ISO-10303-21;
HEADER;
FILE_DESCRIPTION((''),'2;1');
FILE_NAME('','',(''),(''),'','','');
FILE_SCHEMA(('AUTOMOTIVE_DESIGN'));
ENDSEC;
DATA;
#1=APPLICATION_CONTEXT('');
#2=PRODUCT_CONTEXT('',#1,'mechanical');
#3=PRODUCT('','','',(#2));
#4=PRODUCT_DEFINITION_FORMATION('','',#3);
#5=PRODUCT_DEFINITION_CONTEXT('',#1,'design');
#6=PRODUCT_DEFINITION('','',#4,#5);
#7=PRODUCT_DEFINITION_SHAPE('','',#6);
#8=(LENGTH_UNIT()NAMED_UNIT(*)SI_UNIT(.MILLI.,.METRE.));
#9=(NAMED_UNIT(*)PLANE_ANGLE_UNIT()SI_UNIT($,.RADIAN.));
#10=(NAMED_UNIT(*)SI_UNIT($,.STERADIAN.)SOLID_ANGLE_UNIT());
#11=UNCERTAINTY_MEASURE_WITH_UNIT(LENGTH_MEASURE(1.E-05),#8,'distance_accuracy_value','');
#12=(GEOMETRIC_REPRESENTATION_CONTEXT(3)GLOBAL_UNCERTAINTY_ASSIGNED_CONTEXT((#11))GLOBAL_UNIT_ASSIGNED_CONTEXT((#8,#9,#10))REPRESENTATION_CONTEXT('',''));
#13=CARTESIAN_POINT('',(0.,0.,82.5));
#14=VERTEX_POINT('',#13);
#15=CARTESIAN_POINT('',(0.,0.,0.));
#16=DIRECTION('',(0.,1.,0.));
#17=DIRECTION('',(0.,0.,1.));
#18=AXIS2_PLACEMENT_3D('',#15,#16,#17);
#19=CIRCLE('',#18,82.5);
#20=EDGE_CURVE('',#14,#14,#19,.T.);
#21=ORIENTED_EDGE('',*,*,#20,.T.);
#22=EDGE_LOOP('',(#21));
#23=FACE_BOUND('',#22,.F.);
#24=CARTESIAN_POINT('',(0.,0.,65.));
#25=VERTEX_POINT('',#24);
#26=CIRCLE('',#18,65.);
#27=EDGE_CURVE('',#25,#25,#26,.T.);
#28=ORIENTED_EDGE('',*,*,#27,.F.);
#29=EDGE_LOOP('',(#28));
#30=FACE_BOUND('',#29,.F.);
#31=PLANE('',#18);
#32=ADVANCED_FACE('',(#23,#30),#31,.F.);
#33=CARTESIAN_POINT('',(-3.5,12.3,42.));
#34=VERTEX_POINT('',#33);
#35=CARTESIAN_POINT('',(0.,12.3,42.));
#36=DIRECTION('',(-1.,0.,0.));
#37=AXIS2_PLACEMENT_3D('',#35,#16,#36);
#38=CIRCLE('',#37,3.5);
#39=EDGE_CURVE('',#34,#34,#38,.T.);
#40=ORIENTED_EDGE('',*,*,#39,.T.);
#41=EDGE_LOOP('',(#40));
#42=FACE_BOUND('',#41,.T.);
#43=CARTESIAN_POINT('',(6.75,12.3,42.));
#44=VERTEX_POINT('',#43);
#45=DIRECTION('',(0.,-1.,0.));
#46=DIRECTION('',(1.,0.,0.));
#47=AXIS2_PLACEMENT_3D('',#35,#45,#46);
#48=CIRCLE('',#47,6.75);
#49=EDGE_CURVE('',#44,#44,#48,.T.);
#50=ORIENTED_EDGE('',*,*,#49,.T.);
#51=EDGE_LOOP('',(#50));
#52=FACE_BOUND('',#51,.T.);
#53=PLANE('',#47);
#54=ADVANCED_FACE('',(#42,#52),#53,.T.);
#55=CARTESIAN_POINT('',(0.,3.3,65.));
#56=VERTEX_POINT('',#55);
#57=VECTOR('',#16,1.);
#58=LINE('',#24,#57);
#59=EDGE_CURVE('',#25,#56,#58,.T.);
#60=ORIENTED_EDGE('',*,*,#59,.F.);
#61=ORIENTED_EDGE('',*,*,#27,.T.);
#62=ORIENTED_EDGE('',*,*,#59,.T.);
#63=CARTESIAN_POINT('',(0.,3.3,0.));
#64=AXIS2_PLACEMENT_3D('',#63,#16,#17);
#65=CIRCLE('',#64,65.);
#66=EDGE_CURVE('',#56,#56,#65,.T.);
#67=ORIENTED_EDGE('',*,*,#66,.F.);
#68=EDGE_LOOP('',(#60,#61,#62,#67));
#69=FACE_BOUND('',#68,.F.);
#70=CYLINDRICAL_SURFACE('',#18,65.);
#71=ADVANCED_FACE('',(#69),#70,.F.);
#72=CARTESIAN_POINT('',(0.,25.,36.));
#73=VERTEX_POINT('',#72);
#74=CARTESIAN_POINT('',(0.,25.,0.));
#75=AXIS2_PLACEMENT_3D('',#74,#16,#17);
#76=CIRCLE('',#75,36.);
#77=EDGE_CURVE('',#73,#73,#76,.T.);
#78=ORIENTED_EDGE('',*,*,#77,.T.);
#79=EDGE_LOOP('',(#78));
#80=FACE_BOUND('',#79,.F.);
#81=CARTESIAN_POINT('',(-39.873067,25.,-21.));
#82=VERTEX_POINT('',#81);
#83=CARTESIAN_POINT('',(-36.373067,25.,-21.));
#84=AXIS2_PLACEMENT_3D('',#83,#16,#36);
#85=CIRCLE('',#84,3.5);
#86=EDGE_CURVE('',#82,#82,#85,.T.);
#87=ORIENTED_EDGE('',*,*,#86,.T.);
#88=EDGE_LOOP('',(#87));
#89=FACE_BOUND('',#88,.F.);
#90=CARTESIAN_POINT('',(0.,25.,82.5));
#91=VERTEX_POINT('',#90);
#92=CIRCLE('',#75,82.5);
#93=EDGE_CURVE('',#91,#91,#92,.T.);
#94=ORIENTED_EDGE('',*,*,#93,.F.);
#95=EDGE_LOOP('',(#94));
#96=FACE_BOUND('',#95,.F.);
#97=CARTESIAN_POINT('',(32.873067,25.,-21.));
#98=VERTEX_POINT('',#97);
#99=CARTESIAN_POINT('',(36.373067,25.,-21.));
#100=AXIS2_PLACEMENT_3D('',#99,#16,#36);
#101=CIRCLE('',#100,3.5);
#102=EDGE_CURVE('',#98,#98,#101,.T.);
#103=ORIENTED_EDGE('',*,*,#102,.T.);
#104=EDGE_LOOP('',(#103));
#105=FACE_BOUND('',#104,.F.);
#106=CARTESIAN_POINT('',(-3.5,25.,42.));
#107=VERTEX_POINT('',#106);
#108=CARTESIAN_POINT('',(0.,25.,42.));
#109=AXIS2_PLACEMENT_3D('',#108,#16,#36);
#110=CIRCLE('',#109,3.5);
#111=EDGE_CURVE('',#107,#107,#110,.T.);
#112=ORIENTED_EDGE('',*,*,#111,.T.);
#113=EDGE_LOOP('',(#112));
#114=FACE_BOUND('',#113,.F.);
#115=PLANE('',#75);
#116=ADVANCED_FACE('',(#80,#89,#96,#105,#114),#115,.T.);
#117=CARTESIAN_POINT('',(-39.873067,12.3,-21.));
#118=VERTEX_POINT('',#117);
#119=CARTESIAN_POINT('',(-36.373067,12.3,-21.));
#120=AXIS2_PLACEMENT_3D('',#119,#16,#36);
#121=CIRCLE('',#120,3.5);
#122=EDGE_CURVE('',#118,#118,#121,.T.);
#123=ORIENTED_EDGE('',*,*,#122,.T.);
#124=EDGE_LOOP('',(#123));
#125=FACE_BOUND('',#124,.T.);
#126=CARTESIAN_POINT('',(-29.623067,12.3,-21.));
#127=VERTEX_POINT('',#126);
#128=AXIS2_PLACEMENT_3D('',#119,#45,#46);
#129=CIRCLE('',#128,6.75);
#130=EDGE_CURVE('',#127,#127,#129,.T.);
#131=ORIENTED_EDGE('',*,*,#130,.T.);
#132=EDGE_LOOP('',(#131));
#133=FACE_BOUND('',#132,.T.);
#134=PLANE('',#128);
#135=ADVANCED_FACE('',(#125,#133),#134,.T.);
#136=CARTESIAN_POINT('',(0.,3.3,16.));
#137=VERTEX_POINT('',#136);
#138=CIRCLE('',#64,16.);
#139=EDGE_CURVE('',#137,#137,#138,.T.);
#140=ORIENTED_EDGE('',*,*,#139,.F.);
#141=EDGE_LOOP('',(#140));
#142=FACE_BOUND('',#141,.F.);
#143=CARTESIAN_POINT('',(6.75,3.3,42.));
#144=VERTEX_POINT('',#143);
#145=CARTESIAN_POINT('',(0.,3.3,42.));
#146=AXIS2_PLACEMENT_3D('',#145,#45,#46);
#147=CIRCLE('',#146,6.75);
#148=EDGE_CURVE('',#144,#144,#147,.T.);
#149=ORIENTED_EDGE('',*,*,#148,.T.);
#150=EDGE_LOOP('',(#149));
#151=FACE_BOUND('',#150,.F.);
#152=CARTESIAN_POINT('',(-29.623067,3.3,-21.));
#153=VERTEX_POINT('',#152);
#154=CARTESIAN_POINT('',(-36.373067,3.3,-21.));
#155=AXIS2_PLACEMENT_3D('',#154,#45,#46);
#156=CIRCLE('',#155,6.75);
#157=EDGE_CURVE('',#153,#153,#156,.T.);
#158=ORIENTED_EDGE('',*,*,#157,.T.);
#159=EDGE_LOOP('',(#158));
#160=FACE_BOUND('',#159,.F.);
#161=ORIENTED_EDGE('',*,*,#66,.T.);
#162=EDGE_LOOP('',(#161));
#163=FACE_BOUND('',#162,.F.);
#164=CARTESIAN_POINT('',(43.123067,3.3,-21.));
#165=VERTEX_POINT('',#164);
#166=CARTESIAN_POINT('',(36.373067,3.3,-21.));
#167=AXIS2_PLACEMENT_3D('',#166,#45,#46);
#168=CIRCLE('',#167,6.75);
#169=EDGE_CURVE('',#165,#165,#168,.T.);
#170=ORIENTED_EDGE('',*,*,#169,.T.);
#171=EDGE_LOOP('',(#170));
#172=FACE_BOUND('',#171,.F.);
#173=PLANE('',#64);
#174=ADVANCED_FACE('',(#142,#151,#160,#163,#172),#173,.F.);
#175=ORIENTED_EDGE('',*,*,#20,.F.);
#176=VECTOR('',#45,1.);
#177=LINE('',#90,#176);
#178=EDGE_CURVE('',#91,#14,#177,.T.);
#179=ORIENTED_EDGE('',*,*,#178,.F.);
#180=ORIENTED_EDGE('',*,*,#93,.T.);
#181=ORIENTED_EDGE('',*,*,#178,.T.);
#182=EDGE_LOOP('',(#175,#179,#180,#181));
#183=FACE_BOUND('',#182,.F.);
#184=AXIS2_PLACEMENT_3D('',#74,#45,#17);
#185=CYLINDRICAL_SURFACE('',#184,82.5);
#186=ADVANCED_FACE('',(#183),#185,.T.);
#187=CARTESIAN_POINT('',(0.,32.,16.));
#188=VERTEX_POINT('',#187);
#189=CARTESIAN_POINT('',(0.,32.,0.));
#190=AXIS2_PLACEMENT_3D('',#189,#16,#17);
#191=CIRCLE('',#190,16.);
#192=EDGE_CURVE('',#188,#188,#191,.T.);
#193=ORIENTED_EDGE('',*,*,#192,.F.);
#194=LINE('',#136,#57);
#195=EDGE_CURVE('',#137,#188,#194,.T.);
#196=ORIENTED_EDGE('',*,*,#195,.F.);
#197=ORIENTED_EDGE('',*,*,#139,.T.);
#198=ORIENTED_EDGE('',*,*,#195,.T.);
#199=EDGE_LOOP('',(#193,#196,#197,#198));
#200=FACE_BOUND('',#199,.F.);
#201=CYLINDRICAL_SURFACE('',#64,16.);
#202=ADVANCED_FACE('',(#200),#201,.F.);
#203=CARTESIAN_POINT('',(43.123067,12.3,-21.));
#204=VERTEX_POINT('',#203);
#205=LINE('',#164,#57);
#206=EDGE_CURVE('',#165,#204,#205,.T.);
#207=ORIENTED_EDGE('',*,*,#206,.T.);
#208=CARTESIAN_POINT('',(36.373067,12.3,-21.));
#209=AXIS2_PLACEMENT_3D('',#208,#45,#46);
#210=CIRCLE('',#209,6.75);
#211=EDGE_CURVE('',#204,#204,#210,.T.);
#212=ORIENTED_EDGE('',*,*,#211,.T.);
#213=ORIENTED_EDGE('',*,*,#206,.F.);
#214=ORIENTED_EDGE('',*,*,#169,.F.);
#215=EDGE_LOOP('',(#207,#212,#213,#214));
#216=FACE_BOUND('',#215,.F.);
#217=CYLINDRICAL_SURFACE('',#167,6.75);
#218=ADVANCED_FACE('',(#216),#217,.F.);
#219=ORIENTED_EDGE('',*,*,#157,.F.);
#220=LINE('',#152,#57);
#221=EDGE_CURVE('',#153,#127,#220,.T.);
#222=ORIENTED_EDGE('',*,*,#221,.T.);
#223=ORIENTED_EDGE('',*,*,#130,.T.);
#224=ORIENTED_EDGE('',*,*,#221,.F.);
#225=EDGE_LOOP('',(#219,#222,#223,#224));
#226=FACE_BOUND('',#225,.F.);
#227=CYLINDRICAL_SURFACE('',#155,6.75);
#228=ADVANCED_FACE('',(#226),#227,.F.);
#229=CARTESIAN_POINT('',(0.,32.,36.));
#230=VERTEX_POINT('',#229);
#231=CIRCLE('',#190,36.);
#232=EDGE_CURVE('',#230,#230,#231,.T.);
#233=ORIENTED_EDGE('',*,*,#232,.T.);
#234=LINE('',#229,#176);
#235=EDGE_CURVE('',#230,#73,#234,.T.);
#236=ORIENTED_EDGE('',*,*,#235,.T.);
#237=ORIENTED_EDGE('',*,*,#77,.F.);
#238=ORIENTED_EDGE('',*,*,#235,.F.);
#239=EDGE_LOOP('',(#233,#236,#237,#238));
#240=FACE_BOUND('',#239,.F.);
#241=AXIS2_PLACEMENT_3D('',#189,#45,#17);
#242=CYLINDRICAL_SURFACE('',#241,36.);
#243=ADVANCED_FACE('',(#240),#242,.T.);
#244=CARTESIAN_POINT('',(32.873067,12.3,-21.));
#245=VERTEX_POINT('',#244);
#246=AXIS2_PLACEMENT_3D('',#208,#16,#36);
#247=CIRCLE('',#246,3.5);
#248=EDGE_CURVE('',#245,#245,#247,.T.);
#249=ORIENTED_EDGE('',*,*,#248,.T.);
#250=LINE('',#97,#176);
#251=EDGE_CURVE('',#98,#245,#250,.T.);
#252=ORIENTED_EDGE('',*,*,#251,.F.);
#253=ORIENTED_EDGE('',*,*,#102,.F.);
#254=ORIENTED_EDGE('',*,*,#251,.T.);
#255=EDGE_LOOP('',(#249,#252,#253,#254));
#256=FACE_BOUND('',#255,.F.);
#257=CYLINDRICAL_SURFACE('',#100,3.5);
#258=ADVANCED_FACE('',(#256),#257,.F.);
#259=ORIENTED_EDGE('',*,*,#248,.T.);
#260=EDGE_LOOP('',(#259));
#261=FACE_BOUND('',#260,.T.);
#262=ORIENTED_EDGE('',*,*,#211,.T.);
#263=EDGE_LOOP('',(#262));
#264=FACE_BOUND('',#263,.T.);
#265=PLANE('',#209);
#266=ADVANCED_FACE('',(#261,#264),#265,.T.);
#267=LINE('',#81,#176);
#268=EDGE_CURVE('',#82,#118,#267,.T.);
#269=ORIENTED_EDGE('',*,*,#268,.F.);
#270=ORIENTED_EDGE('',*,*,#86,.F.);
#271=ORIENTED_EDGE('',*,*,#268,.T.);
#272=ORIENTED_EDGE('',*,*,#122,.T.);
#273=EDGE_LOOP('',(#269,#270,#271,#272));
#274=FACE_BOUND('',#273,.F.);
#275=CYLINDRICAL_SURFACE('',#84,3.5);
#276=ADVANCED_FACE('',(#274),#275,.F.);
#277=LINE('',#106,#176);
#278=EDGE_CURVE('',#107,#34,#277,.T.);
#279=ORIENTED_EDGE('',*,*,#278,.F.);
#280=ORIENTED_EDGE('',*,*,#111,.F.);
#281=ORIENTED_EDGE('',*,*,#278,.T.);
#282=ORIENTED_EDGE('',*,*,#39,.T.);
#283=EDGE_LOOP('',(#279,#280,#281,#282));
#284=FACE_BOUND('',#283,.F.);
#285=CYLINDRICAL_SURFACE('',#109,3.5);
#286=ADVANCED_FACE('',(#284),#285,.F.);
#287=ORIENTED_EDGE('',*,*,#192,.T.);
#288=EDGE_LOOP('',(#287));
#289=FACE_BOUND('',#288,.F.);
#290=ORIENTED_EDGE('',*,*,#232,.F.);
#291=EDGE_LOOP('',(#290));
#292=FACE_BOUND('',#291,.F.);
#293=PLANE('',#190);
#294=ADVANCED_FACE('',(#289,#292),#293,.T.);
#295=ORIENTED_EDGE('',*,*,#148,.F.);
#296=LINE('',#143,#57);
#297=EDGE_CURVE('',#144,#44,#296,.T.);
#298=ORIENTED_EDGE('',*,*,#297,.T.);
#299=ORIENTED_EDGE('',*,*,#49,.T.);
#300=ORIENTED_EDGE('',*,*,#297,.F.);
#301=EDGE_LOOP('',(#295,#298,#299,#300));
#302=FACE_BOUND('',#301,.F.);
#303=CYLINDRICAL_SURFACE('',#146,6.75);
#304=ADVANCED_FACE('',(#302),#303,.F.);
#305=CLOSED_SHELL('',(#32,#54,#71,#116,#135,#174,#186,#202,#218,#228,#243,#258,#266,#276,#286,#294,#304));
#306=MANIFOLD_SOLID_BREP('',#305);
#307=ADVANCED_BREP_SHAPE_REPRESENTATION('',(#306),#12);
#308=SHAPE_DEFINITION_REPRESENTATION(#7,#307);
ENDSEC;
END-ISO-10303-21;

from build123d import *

# Parameters (mm, degrees)
F2_R     = 6.75
F3_DEPTH = 9
F4_R     = 3.5
F5_DEPTH = 25.001


with BuildPart() as f1:
    # F0 (on Right) → F1 (revolve)
    with BuildSketch(Plane.YZ):
        Polygon((3.3, 16), (32, 16), (32, 36), (25, 36), (25, 82.5), (0, 82.5), (0, 65), (3.3, 65), align=None)
    revolve(axis=Axis((0, 21.725982, 0), (0, 1, 0)))

    # F2 (on face) → F3 (cut)
    with BuildSketch(Plane.XZ.offset(-3.3)):
        with Locations((0, 42)):
            Circle(F2_R)
        with Locations((36.373067, -21)):
            Circle(F2_R)
        with Locations((-36.373067, -21)):
            Circle(F2_R)
    extrude(amount=-F3_DEPTH, mode=Mode.SUBTRACT)

    # F4 (on face) → F5 (cut, through all)
    with BuildSketch(Plane(origin=(0, 25, 0), x_dir=(-1, 0, 0), z_dir=(0, 1, 0))):
        with Locations((0, 42)):
            Circle(F4_R)
        with Locations((-36.373067, -21)):
            Circle(F4_R)
        with Locations((36.373067, -21)):
            Circle(F4_R)
    extrude(amount=-F5_DEPTH, mode=Mode.SUBTRACT)


solid = f1.part
